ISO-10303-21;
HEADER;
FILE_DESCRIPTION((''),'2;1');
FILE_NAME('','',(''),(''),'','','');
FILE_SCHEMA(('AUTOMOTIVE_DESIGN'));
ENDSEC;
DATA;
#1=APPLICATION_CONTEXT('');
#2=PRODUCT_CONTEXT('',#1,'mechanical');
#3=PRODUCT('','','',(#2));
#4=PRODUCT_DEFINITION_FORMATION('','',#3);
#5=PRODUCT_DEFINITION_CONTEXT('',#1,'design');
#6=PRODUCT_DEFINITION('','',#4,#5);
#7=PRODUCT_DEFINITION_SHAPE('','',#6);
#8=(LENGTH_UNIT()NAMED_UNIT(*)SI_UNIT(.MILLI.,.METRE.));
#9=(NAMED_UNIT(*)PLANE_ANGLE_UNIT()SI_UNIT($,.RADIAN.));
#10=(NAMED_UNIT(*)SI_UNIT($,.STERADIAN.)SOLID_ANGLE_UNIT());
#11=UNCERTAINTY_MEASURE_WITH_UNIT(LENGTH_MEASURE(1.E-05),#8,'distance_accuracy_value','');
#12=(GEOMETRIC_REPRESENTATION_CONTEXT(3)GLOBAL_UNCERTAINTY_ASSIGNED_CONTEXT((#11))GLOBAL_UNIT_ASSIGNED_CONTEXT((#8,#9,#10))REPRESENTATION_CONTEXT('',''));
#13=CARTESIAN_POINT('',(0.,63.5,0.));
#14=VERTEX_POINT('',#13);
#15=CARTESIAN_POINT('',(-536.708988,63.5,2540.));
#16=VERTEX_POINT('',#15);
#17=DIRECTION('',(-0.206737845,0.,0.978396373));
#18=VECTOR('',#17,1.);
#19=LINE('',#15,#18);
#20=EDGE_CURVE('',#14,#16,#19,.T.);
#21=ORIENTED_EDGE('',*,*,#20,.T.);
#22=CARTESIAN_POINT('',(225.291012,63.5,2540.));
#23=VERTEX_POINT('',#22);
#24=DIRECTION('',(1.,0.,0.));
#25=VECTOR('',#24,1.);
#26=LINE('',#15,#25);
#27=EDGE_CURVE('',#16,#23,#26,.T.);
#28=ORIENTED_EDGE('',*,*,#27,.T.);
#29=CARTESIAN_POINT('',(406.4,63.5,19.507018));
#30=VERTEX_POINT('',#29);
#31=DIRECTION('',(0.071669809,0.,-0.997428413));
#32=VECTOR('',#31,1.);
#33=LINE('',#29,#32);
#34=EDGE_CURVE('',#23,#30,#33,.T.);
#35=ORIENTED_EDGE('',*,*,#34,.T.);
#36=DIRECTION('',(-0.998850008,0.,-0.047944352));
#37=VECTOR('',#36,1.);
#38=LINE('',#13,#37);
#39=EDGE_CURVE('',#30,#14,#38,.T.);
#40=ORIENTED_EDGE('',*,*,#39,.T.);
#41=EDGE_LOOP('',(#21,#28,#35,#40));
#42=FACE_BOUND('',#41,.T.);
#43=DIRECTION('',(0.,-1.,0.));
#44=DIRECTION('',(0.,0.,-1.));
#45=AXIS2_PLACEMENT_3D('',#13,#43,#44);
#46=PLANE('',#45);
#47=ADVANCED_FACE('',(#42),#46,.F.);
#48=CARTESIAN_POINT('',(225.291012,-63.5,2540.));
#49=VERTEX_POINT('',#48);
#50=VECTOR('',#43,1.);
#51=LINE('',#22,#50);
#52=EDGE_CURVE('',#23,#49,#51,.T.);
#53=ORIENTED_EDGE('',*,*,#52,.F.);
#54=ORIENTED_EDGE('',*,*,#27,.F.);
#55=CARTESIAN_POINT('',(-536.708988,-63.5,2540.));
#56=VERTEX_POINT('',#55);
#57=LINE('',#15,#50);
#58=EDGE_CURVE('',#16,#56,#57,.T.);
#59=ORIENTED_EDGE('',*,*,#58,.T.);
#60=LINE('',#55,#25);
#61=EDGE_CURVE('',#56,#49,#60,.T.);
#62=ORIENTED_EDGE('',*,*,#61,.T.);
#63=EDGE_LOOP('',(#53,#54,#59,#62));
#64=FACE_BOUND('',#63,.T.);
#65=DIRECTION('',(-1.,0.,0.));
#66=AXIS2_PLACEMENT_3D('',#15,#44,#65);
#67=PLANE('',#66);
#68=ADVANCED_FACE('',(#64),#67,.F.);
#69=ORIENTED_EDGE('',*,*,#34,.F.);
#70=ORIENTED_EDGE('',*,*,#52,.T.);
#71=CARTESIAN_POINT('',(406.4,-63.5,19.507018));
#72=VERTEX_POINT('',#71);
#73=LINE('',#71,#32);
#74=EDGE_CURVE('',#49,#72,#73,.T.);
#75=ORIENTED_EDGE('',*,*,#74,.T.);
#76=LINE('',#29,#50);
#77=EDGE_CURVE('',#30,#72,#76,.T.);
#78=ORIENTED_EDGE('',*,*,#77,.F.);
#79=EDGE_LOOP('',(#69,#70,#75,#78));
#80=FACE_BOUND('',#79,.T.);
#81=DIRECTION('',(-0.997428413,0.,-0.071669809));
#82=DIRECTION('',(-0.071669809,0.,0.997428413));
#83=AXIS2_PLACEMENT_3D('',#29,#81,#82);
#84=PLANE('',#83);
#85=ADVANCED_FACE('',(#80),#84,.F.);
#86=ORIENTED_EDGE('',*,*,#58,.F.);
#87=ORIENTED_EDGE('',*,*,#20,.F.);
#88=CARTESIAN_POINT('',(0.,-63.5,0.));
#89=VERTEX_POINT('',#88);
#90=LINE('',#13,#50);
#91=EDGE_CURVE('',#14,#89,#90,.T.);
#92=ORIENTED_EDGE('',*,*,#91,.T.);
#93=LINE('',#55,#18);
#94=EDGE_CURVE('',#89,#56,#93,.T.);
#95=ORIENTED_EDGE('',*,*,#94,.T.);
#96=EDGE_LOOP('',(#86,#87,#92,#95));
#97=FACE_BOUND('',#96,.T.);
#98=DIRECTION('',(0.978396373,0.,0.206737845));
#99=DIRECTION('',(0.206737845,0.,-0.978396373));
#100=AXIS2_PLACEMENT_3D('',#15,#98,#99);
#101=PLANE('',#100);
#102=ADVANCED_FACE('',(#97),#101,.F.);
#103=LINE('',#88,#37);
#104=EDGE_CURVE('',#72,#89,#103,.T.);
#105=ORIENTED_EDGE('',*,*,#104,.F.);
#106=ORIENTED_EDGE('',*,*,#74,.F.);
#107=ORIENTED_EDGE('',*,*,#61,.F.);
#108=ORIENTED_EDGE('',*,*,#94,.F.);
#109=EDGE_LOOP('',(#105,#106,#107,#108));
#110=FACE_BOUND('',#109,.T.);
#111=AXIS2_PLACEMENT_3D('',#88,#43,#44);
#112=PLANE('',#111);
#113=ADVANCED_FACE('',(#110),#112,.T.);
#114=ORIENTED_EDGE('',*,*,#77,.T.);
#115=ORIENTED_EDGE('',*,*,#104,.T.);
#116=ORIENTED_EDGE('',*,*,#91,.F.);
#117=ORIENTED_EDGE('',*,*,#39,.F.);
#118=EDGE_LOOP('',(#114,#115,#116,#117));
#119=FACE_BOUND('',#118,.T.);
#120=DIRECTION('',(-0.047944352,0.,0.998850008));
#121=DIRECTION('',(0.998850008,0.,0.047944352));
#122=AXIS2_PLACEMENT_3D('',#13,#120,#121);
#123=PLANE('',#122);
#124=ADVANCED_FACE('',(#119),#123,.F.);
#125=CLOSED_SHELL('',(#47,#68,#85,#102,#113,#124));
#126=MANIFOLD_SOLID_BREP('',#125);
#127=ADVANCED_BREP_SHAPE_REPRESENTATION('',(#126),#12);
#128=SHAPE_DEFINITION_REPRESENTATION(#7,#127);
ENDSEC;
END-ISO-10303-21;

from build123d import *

# Parameters (mm, degrees)
BOSS_EXTRUDE1_DEPTH = 63.5


with BuildPart() as part:
    # Sketch1 → Boss-Extrude1 (new body, symmetric)
    with BuildSketch(Plane(origin=(0, 0, 0), x_dir=(1, 0, 0), z_dir=(0, 1, 0))):
        Polygon((406.4, -19.507017733), (225.291012038, -2540), (-536.708987962, -2540), (0, 0), align=None)
    extrude(amount=BOSS_EXTRUDE1_DEPTH, both=True)


solid = part.part
